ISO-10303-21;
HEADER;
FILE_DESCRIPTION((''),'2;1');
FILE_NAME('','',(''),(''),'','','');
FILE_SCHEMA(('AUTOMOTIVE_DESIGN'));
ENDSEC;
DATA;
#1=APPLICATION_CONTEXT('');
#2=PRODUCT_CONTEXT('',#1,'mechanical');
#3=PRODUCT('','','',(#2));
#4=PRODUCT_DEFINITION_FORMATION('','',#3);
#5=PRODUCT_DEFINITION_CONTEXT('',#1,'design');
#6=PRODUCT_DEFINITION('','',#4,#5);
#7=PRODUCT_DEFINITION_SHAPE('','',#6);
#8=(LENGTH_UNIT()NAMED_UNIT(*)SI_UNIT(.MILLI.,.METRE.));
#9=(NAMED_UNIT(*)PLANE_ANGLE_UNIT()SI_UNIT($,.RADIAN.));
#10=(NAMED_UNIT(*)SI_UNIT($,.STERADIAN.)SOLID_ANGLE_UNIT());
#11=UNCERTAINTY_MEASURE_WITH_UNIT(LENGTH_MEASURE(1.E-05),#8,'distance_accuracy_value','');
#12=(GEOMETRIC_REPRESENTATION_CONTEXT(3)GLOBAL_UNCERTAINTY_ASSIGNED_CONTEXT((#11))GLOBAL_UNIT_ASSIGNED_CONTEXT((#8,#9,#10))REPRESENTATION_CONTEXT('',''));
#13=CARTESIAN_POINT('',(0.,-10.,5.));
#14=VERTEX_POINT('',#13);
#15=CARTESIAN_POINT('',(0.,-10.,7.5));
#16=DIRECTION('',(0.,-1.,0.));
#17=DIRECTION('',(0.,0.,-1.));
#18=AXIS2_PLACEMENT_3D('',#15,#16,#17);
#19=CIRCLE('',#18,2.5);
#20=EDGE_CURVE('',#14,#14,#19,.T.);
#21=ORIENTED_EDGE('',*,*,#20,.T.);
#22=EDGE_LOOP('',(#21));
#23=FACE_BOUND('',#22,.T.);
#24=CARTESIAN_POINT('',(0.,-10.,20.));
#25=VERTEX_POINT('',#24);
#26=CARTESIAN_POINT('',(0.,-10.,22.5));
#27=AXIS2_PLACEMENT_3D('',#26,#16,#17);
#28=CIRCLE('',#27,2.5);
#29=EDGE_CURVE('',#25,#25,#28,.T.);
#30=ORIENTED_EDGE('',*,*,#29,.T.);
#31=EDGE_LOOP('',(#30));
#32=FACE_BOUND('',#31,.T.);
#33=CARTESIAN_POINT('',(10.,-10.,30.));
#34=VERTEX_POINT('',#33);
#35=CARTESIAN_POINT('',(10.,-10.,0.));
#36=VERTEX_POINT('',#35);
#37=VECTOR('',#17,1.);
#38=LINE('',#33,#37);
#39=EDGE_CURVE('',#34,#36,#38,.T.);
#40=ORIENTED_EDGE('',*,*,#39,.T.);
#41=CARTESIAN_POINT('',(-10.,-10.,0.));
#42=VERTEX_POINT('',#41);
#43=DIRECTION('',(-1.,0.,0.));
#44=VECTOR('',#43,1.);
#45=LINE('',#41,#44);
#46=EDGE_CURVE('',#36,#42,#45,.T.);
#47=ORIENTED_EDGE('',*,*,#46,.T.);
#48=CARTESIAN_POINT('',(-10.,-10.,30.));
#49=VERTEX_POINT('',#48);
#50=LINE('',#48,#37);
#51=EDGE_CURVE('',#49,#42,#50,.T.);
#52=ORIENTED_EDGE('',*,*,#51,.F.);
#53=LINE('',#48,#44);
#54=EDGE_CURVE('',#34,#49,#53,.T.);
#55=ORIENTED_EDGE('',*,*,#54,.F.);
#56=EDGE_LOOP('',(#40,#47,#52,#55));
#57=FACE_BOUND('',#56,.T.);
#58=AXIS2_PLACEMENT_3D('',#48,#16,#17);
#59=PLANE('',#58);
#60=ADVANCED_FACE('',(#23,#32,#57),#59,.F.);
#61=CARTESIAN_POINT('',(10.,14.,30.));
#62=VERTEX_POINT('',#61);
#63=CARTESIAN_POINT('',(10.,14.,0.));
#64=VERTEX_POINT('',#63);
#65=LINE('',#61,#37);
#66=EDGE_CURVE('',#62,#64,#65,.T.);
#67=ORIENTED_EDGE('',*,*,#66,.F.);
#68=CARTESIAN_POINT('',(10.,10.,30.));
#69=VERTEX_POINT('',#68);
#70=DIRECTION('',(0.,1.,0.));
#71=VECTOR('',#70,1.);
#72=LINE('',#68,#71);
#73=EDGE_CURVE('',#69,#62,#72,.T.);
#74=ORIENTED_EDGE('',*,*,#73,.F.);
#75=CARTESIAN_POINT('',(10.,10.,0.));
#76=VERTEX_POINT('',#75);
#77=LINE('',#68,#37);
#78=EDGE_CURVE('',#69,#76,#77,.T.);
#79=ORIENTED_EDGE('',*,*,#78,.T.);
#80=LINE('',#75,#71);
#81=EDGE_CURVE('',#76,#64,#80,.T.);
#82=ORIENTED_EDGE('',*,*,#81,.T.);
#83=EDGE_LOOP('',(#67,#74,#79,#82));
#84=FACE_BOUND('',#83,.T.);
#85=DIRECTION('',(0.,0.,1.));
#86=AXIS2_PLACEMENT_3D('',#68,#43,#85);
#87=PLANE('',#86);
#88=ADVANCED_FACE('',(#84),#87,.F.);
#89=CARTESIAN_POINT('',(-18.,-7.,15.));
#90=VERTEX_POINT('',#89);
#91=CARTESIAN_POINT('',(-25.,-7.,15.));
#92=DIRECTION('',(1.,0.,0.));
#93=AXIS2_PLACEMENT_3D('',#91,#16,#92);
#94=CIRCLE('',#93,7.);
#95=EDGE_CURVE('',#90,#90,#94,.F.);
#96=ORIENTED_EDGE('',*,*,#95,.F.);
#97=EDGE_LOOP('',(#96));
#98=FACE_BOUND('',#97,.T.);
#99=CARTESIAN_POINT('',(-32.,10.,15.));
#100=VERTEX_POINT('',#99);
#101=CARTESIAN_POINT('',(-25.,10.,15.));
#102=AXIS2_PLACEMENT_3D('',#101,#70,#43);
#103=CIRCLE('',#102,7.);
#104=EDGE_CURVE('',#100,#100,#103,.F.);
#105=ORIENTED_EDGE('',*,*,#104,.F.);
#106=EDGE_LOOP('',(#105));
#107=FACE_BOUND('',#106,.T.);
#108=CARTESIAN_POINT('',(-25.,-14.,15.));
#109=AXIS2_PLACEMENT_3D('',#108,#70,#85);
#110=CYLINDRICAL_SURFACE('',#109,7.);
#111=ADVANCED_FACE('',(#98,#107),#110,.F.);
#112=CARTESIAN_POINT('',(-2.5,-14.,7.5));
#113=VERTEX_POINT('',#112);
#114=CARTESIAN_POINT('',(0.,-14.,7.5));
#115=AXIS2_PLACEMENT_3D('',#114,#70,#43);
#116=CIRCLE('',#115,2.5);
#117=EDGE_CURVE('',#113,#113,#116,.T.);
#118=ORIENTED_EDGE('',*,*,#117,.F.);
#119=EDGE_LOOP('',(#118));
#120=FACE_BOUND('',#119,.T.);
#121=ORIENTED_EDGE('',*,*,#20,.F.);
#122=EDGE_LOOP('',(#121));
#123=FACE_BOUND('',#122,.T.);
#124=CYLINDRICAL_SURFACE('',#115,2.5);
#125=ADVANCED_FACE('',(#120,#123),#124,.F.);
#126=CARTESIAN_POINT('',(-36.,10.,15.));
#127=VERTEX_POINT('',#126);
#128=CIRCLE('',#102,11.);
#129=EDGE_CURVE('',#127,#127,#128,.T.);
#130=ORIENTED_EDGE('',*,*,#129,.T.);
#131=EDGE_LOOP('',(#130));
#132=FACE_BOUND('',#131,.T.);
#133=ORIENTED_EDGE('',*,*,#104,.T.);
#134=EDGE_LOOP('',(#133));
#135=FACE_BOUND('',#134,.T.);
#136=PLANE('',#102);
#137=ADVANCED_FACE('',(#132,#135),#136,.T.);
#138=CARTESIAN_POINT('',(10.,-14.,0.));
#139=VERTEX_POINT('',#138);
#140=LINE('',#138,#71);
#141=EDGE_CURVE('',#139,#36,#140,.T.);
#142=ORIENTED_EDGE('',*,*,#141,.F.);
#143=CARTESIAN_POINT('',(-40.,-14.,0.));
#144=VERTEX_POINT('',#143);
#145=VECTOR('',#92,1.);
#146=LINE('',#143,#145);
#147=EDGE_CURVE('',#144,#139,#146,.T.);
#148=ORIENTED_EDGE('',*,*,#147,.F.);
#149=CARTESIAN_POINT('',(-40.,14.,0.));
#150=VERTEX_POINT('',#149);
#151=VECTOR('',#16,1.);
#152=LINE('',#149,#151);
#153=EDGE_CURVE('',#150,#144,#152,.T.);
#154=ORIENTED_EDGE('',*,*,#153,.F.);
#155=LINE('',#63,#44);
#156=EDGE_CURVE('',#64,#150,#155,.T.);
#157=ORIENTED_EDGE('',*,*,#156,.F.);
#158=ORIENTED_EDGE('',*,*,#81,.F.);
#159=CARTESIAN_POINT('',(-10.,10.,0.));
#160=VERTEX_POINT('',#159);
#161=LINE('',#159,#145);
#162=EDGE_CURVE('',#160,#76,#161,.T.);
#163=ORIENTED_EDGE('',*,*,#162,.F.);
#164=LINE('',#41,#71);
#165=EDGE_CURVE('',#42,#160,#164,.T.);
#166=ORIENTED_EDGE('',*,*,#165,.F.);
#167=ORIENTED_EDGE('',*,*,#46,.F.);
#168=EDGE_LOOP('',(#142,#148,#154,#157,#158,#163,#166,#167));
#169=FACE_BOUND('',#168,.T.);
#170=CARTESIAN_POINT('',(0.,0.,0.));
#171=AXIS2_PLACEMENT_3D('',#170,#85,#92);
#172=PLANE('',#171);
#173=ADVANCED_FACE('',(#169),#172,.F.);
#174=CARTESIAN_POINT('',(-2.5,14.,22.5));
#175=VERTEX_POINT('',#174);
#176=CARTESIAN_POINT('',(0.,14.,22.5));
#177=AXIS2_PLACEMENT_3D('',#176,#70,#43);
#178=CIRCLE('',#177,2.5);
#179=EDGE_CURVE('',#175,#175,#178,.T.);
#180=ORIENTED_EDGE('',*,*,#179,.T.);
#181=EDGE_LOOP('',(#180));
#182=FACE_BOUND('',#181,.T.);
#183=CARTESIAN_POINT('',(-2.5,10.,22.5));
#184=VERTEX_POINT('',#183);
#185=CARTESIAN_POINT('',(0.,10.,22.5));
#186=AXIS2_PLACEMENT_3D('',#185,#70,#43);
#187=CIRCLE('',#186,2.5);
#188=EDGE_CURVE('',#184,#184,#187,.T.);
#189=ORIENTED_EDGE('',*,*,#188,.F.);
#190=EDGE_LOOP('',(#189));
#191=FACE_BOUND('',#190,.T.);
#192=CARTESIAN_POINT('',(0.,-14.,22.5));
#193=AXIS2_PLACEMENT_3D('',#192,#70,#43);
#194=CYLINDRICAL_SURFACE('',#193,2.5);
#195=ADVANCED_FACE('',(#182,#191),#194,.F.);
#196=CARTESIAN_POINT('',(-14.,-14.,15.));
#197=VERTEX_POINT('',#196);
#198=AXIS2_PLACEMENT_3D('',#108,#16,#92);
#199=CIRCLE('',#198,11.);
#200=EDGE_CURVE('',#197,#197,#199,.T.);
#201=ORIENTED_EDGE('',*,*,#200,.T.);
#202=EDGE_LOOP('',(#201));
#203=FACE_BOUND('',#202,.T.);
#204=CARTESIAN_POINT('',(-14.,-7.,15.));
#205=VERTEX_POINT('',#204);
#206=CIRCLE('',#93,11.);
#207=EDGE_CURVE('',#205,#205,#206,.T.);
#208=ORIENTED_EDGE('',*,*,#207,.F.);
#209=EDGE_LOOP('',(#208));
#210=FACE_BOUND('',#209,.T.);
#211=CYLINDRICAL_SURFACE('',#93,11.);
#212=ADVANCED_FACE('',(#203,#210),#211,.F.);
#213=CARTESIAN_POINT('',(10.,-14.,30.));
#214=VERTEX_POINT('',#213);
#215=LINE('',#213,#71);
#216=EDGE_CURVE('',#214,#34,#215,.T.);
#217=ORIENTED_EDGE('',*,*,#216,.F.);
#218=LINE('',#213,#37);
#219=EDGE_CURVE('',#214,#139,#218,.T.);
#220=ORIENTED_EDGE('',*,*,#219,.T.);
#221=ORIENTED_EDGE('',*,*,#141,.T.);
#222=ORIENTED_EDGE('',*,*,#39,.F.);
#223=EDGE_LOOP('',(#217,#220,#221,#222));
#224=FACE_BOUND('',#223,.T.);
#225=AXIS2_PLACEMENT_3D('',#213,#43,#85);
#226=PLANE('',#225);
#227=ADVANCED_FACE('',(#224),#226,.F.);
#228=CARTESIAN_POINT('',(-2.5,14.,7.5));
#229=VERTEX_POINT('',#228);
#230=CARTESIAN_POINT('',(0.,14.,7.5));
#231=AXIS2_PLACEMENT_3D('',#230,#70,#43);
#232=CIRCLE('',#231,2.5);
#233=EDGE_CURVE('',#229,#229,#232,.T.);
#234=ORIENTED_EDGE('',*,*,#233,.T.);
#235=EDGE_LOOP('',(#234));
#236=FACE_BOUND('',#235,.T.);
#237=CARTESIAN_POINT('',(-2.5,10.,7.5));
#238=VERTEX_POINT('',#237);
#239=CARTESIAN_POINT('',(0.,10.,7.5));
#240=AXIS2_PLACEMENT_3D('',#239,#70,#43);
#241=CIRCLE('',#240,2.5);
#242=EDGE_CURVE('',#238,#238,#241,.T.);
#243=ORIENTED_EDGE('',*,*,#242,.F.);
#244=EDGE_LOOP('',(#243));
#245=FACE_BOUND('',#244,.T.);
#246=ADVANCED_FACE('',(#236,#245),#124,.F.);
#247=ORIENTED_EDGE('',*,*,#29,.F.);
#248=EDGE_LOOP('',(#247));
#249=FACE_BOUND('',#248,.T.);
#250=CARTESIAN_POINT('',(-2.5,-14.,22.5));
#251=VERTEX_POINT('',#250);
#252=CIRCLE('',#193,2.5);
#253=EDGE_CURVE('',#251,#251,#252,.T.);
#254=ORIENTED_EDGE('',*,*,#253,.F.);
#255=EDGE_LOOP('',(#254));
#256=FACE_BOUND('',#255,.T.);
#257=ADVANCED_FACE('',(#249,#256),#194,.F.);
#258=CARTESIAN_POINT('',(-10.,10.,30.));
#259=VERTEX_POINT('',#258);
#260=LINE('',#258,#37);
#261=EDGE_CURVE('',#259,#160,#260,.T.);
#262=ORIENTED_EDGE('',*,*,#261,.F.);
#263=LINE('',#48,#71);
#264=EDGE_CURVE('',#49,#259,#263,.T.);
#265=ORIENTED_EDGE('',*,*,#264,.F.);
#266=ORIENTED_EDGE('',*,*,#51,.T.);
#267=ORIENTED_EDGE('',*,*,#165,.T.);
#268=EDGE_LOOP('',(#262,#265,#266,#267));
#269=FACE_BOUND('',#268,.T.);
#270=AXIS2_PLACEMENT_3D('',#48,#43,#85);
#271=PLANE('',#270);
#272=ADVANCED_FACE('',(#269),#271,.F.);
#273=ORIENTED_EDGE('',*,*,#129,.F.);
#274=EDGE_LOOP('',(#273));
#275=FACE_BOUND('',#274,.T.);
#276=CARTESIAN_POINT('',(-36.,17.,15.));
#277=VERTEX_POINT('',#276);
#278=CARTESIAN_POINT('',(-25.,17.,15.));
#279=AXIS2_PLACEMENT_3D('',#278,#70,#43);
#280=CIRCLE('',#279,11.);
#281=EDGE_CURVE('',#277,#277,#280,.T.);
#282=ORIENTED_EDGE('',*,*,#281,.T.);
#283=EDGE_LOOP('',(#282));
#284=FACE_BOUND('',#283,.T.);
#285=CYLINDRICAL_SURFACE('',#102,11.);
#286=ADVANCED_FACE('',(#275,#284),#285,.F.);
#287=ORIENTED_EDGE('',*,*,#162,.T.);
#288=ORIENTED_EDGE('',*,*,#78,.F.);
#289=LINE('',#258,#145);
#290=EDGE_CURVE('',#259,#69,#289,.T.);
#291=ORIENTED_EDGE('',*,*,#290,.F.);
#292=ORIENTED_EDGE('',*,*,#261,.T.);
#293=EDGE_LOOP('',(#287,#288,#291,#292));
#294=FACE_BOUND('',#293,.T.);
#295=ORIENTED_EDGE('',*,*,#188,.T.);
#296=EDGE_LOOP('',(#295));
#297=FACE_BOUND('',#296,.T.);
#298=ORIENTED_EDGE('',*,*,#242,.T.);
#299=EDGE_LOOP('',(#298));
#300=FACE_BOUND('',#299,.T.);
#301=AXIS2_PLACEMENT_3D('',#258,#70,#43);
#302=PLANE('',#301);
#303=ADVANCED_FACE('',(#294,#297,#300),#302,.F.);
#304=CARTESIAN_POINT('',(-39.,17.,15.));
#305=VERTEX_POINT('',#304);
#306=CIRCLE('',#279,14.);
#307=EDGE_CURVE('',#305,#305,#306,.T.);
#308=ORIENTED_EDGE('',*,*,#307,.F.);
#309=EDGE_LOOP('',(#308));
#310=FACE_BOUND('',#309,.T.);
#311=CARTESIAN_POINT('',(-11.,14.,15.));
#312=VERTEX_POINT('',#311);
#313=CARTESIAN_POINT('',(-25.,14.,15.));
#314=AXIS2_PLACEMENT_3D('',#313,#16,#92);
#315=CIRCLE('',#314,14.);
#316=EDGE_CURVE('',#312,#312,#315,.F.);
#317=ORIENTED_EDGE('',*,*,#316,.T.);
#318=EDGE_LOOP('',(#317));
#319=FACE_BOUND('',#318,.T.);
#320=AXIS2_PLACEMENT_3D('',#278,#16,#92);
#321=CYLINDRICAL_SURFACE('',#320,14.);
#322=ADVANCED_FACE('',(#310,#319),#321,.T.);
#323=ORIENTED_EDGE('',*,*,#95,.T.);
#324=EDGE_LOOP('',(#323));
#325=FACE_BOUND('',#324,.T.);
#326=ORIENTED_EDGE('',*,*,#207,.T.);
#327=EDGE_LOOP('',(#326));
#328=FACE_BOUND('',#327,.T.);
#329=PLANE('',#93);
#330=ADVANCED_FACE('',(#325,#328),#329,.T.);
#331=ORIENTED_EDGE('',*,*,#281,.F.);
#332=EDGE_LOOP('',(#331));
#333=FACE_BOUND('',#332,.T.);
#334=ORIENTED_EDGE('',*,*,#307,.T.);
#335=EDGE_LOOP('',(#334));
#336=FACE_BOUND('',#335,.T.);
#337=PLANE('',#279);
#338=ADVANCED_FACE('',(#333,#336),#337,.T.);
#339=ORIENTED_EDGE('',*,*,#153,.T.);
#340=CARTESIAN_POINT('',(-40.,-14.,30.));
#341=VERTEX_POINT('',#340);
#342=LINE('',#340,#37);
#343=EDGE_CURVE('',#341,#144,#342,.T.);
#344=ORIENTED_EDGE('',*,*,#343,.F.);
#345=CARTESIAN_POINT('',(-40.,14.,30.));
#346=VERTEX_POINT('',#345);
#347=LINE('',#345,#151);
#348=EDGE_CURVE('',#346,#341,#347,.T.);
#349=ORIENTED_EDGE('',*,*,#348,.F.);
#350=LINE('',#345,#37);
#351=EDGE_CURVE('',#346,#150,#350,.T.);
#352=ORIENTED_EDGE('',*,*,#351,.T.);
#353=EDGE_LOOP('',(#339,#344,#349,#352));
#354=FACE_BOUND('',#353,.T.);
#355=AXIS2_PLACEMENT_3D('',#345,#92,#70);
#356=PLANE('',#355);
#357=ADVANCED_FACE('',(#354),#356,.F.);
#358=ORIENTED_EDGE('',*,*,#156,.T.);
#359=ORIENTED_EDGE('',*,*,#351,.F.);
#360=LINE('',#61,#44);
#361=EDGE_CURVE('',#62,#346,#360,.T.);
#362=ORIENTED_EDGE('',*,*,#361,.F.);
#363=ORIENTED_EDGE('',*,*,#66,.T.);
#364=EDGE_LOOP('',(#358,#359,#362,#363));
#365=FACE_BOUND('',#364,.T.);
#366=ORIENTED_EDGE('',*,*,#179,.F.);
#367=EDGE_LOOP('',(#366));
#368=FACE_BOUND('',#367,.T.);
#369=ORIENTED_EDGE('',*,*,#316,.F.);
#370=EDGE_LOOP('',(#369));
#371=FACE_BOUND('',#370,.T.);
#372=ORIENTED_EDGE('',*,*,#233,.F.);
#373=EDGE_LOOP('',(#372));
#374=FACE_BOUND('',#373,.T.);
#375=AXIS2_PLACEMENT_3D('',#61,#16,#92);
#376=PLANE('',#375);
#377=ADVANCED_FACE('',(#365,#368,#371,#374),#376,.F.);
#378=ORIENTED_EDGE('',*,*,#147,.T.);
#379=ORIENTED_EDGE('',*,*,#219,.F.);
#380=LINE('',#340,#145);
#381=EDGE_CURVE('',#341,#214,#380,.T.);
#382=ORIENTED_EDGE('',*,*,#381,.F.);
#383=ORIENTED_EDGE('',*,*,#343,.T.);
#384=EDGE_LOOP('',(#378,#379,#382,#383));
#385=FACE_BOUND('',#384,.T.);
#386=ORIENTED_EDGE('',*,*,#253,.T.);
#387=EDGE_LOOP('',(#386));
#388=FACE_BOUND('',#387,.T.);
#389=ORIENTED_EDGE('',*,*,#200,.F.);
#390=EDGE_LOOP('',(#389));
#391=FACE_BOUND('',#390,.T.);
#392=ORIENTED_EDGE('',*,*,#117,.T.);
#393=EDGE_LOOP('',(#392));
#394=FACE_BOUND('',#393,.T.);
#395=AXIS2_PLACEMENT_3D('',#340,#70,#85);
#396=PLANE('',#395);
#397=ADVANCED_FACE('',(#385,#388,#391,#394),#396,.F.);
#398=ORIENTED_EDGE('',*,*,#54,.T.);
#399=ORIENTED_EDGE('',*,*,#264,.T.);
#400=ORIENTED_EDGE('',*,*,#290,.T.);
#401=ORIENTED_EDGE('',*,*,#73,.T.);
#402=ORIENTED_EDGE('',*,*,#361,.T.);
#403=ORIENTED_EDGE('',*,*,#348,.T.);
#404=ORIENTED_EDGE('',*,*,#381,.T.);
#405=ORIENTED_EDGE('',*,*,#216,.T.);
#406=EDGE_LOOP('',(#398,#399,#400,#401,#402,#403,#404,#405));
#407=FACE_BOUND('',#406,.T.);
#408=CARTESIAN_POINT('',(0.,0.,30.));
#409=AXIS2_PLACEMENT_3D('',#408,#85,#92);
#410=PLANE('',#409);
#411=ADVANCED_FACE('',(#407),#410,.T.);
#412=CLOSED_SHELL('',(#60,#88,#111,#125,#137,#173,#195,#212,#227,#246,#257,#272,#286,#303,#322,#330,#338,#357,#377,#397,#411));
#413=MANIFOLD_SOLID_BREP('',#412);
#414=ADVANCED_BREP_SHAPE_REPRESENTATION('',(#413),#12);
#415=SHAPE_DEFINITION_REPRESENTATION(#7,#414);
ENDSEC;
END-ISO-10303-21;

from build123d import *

# Parameters (mm, degrees)
BOSS_EXTRUDE1_DEPTH = 30
SKETCH2_R           = 7
CUT_EXTRUDE1_DEPTH  = 29
SKETCH3_R           = 11
CUT_EXTRUDE2_DEPTH  = 4
SKETCH4_R           = 11
CUT_EXTRUDE3_DEPTH  = 7
SKETCH5_R           = 2.5
CUT_EXTRUDE4_DEPTH  = 29
SKETCH6_R           = 14
SKETCH6_R_2         = 11
BOSS_EXTRUDE2_DEPTH = 3


with BuildPart() as part:
    # Sketch1 → Boss-Extrude1 (new body)
    with BuildSketch(Plane.XY):
        Polygon((10, 10), (10, 14), (-40, 14), (-40, -14), (10, -14), (10, -10), (-10, -10), (-10, 10), align=None)
    extrude(amount=BOSS_EXTRUDE1_DEPTH)

    # Sketch2 → Cut-Extrude1 (cut, through all)
    with BuildSketch(Plane(origin=(0, 14, 0), x_dir=(1, 0, 0), z_dir=(0, 1, 0))):
        with Locations((-25, -15)):
            Circle(SKETCH2_R)
    extrude(amount=-CUT_EXTRUDE1_DEPTH, mode=Mode.SUBTRACT)

    # Sketch3 → Cut-Extrude2 (cut)
    with BuildSketch(Plane(origin=(0, 14, 0), x_dir=(1, 0, 0), z_dir=(0, 1, 0))):
        with Locations((-25, -15)):
            Circle(SKETCH3_R)
    extrude(amount=-CUT_EXTRUDE2_DEPTH, mode=Mode.SUBTRACT)

    # Sketch4 → Cut-Extrude3 (cut)
    with BuildSketch(Plane.XZ.offset(14)):
        with Locations((-25, 15)):
            Circle(SKETCH4_R)
    extrude(amount=-CUT_EXTRUDE3_DEPTH, mode=Mode.SUBTRACT)

    # Sketch5 → Cut-Extrude4 (cut, through all)
    with BuildSketch(Plane(origin=(0, 14, 0), x_dir=(1, 0, 0), z_dir=(0, 1, 0))):
        with Locations((0, -22.5)):
            Circle(SKETCH5_R)
        with Locations((0, -7.5)):
            Circle(SKETCH5_R)
    extrude(amount=-CUT_EXTRUDE4_DEPTH, mode=Mode.SUBTRACT)

    # Sketch6 → Boss-Extrude2 (add)
    with BuildSketch(Plane(origin=(0, 14, 0), x_dir=(1, 0, 0), z_dir=(0, 1, 0))):
        with Locations((-25, -15)):
            Circle(SKETCH6_R)
        with Locations((-25, -15)):
            Circle(SKETCH6_R_2, mode=Mode.SUBTRACT)
    extrude(amount=BOSS_EXTRUDE2_DEPTH)


solid = part.part
